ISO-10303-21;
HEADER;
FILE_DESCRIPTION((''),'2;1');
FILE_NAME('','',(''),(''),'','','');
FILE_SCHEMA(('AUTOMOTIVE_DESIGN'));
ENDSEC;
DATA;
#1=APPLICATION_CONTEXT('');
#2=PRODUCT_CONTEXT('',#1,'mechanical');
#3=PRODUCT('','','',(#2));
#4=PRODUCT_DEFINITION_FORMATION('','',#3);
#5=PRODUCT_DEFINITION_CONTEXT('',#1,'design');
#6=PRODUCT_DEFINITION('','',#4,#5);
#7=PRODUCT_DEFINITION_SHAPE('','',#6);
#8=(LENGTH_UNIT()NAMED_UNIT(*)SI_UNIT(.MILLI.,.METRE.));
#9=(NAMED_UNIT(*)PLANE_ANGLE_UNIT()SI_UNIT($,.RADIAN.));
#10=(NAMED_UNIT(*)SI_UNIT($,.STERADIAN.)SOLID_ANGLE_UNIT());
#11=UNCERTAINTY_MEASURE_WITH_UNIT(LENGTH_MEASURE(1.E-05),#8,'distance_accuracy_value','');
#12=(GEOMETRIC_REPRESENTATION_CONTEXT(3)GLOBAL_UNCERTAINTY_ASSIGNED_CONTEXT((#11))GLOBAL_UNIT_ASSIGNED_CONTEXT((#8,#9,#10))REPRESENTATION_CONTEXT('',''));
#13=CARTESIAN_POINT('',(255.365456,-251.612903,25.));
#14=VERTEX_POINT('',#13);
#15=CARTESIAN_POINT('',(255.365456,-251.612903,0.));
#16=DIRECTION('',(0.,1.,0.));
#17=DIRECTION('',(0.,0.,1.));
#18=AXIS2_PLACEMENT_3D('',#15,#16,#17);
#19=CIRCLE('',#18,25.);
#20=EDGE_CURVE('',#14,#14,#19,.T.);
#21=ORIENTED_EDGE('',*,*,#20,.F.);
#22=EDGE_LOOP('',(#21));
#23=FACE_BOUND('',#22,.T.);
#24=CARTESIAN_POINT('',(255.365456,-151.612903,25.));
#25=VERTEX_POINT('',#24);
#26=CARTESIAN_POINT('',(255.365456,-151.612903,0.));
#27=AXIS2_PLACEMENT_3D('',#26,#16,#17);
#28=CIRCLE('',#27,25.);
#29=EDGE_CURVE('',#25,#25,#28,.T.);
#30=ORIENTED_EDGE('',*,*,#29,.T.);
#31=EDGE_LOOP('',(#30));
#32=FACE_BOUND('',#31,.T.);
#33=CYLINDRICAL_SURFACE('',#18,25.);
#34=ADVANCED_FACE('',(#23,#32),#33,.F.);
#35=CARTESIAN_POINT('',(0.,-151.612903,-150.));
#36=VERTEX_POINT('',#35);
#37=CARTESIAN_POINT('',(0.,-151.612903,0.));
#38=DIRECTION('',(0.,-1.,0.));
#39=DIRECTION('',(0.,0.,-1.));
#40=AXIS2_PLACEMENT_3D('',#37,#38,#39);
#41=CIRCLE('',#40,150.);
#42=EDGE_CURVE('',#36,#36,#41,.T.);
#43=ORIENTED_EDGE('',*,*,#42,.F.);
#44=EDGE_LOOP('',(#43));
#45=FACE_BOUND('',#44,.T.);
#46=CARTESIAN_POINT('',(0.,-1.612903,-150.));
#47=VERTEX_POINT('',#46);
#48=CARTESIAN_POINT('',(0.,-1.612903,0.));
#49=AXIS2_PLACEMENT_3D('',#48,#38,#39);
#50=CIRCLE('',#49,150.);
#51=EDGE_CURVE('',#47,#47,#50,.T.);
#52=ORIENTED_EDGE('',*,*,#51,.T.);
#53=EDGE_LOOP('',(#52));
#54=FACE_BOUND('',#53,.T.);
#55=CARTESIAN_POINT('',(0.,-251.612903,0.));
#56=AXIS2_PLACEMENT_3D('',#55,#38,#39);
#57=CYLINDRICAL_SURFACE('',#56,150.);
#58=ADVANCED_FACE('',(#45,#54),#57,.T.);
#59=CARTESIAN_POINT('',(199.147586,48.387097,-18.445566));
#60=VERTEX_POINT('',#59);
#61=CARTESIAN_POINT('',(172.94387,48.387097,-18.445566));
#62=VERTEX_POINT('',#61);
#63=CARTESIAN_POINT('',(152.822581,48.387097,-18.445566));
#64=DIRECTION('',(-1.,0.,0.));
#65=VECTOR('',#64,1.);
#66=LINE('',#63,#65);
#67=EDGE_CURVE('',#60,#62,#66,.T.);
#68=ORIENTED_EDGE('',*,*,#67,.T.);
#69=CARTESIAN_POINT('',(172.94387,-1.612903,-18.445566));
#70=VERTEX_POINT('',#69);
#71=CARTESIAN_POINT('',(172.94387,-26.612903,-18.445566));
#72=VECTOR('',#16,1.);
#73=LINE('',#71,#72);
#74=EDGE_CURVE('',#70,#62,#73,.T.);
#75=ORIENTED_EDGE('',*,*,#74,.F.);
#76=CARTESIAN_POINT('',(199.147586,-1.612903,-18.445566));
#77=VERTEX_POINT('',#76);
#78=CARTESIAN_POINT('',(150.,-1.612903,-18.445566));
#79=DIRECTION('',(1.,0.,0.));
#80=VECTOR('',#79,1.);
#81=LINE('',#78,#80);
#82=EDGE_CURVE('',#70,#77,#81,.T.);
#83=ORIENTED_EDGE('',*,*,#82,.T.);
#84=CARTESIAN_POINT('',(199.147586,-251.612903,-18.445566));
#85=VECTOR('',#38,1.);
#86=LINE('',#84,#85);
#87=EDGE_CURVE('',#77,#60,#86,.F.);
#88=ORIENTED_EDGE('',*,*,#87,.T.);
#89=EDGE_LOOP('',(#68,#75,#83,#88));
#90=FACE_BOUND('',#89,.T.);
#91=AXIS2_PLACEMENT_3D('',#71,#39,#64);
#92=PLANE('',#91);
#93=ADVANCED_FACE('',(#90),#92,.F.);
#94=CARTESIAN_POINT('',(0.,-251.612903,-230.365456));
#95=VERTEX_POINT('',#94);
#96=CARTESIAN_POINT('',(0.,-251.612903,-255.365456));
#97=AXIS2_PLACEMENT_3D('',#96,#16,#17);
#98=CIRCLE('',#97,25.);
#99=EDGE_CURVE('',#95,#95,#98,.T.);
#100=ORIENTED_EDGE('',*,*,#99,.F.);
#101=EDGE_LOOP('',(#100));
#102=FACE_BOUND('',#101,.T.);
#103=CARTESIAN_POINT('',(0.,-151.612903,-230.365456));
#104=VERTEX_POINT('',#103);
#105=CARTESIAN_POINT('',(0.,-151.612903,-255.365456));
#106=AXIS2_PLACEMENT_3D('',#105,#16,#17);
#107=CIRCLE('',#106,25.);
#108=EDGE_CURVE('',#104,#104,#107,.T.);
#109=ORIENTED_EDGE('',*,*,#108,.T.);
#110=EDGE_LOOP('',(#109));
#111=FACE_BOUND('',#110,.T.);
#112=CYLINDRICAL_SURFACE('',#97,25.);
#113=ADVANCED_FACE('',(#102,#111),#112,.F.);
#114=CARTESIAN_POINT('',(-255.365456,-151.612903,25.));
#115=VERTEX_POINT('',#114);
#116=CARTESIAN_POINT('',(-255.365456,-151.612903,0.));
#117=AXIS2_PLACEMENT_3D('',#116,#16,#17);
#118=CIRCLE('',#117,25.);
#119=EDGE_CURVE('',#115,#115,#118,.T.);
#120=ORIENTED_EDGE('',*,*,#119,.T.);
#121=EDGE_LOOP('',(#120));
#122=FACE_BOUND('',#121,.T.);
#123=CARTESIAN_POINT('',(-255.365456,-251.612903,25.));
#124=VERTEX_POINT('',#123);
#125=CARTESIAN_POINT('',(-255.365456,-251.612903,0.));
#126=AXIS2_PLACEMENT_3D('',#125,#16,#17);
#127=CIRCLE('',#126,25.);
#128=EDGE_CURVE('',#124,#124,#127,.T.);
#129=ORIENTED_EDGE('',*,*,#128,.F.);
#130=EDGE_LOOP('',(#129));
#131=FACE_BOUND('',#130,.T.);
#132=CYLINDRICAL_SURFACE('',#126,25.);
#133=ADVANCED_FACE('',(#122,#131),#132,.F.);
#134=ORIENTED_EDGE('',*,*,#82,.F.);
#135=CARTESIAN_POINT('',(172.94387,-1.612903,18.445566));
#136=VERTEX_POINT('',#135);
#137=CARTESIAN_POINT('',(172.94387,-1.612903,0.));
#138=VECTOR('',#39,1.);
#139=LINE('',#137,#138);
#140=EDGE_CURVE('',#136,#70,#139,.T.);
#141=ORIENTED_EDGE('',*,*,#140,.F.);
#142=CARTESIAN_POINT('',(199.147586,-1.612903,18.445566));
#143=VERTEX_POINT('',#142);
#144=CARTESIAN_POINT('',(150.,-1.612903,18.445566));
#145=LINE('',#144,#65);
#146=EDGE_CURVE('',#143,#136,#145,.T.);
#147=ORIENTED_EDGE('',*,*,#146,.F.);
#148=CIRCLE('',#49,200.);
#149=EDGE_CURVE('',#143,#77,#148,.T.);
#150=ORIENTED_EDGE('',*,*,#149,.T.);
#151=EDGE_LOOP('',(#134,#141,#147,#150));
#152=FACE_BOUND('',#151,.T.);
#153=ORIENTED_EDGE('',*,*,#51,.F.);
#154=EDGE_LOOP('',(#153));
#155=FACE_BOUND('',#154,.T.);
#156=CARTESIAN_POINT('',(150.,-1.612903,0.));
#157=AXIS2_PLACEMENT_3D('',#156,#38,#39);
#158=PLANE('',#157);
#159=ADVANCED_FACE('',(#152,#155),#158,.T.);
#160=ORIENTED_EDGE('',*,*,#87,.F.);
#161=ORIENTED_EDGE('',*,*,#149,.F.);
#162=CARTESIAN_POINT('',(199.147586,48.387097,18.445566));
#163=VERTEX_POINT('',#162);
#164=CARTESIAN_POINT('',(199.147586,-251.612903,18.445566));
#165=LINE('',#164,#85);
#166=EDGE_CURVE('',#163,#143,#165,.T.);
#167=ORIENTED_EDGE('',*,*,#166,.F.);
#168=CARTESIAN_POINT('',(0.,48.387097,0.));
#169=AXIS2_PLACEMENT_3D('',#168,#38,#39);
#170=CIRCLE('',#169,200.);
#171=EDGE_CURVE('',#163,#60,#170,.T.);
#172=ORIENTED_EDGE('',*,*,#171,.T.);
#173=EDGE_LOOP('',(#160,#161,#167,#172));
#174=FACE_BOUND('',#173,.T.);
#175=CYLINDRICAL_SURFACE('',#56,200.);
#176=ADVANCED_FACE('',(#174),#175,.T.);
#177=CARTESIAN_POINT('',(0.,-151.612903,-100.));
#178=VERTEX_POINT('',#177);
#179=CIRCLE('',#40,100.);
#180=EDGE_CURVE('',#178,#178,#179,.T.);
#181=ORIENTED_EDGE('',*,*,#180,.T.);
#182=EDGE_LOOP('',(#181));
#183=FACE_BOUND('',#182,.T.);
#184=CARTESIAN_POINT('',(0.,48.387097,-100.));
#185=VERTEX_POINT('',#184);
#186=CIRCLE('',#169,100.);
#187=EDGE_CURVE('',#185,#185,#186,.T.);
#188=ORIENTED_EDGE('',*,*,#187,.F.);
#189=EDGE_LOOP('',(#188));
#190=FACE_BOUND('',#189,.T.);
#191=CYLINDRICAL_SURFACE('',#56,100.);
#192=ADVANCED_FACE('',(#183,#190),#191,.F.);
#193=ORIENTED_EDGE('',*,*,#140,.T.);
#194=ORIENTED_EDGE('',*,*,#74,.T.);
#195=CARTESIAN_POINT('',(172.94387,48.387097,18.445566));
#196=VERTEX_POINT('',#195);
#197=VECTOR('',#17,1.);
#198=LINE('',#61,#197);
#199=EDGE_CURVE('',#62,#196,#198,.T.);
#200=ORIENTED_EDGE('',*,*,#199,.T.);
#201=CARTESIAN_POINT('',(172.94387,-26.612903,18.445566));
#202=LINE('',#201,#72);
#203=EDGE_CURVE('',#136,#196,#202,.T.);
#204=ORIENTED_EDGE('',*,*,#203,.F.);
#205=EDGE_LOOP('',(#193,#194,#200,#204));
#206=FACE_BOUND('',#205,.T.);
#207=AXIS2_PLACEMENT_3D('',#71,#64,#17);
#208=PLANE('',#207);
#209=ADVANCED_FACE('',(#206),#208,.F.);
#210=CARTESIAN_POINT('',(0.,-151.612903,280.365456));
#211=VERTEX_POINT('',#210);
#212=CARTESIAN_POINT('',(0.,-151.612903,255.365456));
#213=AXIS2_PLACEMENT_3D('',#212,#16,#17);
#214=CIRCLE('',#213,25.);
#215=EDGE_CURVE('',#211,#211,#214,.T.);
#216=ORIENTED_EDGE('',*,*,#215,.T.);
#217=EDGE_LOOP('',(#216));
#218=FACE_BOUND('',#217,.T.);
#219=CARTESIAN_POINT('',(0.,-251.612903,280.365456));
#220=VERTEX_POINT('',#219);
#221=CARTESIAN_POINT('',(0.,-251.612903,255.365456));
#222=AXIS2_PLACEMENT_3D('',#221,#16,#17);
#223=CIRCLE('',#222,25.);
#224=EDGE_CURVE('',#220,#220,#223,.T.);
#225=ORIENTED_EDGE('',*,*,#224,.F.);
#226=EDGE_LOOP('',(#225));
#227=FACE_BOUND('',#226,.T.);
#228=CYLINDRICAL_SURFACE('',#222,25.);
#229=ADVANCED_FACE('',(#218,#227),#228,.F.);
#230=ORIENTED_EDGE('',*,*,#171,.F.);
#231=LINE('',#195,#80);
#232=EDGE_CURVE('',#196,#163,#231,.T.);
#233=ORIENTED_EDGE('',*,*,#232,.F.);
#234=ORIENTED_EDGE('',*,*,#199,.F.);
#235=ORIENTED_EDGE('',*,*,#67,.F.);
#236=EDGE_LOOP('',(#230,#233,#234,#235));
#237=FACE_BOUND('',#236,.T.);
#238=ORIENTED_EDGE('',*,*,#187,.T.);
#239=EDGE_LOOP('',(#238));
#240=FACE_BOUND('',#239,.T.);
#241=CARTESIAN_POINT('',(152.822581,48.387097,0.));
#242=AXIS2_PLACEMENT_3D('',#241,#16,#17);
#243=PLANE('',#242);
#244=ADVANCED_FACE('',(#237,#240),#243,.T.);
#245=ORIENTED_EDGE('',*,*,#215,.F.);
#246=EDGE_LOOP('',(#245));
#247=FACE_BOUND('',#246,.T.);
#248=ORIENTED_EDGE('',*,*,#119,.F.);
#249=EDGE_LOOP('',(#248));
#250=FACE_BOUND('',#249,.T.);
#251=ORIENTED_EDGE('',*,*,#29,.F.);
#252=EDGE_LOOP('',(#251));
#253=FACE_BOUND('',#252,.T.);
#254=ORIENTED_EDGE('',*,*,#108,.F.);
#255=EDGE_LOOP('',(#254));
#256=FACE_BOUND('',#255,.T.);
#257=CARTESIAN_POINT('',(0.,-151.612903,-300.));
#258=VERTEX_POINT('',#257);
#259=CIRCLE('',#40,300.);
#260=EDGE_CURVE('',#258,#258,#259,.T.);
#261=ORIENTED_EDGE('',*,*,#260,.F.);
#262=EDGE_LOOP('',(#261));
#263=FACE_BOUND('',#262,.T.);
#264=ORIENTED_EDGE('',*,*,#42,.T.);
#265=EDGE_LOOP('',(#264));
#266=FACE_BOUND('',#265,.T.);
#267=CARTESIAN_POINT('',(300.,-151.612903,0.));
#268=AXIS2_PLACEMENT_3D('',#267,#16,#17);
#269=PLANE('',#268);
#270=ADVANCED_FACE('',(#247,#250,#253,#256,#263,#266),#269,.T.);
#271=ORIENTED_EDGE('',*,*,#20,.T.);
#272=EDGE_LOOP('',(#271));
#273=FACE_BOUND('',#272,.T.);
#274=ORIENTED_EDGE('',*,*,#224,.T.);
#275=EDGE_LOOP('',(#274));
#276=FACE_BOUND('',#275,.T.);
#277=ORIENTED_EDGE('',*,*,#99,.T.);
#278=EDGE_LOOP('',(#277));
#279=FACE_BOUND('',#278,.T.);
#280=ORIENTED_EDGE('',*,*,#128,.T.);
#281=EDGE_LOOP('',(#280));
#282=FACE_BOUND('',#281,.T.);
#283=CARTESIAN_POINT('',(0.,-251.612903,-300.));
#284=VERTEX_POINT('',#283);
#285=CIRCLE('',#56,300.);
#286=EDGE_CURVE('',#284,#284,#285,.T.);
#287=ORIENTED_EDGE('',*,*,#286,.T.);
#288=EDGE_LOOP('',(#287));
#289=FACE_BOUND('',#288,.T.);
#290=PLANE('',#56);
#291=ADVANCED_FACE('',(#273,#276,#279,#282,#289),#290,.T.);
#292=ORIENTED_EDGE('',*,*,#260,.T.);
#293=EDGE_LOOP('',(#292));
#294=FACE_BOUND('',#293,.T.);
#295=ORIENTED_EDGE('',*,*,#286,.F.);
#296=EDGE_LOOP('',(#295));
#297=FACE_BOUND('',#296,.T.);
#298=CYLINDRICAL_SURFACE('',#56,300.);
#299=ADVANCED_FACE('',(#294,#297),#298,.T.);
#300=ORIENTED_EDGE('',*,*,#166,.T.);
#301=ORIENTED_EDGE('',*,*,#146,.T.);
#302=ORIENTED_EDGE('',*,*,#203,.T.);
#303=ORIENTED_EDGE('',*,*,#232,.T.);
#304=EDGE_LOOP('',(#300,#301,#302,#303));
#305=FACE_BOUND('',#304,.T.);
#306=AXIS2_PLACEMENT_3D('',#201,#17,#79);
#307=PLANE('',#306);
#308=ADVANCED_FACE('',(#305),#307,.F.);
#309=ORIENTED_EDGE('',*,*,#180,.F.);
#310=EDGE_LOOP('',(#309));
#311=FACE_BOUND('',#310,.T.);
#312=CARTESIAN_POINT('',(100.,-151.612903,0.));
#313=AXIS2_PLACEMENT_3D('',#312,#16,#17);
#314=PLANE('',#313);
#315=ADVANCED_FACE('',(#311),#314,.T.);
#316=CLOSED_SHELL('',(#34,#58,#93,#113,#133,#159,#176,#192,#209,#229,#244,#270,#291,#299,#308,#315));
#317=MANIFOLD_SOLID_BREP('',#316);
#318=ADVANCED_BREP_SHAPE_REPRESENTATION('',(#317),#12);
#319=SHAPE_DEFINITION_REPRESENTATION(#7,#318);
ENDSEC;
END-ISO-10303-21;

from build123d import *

# Parameters (mm, degrees)
SKETCH5_R          = 25
CUT_EXTRUDE2_DEPTH = 100
SKETCH6_W          = 54.11225924
SKETCH6_H          = 36.891131312
CUT_EXTRUDE3_DEPTH = 75


with BuildPart() as part:
    # Sketch4 → Revolve2 (revolve)
    with BuildSketch(Plane.XY):
        Polygon((0, -251.612903226), (0, -151.612903226), (100, -151.612903226), (100, 48.387096774), (152.822580645, 48.387096774), (200, 48.387096774), (200, -1.612903226), (150, -1.612903226), (150, -151.612903226), (300, -151.612903226), (300, -251.612903226), align=None)
    revolve(axis=Axis((0, -251.612903226, 0), (0, 1, 0)))

    # Sketch5 → Cut-Extrude2 (cut)
    with BuildSketch(Plane(origin=(0, -151.612903226, 0), x_dir=(1, 0, 0), z_dir=(0, 1, 0))):
        with Locations((0, 255.365455535)):
            Circle(SKETCH5_R)
        with Locations((255.365455535, 0)):
            Circle(SKETCH5_R)
        with Locations((0, -255.365455535)):
            Circle(SKETCH5_R)
        with Locations((-255.365455535, 0)):
            Circle(SKETCH5_R)
    extrude(amount=-CUT_EXTRUDE2_DEPTH, mode=Mode.SUBTRACT)

    # Sketch6 → Cut-Extrude3 (cut)
    with BuildSketch(Plane(origin=(0, 48.387096774, 0), x_dir=(1, 0, 0), z_dir=(0, 1, 0))):
        with Locations((200, 0)):
            Rectangle(SKETCH6_W, SKETCH6_H)
    extrude(amount=-CUT_EXTRUDE3_DEPTH, mode=Mode.SUBTRACT)


solid = part.part
